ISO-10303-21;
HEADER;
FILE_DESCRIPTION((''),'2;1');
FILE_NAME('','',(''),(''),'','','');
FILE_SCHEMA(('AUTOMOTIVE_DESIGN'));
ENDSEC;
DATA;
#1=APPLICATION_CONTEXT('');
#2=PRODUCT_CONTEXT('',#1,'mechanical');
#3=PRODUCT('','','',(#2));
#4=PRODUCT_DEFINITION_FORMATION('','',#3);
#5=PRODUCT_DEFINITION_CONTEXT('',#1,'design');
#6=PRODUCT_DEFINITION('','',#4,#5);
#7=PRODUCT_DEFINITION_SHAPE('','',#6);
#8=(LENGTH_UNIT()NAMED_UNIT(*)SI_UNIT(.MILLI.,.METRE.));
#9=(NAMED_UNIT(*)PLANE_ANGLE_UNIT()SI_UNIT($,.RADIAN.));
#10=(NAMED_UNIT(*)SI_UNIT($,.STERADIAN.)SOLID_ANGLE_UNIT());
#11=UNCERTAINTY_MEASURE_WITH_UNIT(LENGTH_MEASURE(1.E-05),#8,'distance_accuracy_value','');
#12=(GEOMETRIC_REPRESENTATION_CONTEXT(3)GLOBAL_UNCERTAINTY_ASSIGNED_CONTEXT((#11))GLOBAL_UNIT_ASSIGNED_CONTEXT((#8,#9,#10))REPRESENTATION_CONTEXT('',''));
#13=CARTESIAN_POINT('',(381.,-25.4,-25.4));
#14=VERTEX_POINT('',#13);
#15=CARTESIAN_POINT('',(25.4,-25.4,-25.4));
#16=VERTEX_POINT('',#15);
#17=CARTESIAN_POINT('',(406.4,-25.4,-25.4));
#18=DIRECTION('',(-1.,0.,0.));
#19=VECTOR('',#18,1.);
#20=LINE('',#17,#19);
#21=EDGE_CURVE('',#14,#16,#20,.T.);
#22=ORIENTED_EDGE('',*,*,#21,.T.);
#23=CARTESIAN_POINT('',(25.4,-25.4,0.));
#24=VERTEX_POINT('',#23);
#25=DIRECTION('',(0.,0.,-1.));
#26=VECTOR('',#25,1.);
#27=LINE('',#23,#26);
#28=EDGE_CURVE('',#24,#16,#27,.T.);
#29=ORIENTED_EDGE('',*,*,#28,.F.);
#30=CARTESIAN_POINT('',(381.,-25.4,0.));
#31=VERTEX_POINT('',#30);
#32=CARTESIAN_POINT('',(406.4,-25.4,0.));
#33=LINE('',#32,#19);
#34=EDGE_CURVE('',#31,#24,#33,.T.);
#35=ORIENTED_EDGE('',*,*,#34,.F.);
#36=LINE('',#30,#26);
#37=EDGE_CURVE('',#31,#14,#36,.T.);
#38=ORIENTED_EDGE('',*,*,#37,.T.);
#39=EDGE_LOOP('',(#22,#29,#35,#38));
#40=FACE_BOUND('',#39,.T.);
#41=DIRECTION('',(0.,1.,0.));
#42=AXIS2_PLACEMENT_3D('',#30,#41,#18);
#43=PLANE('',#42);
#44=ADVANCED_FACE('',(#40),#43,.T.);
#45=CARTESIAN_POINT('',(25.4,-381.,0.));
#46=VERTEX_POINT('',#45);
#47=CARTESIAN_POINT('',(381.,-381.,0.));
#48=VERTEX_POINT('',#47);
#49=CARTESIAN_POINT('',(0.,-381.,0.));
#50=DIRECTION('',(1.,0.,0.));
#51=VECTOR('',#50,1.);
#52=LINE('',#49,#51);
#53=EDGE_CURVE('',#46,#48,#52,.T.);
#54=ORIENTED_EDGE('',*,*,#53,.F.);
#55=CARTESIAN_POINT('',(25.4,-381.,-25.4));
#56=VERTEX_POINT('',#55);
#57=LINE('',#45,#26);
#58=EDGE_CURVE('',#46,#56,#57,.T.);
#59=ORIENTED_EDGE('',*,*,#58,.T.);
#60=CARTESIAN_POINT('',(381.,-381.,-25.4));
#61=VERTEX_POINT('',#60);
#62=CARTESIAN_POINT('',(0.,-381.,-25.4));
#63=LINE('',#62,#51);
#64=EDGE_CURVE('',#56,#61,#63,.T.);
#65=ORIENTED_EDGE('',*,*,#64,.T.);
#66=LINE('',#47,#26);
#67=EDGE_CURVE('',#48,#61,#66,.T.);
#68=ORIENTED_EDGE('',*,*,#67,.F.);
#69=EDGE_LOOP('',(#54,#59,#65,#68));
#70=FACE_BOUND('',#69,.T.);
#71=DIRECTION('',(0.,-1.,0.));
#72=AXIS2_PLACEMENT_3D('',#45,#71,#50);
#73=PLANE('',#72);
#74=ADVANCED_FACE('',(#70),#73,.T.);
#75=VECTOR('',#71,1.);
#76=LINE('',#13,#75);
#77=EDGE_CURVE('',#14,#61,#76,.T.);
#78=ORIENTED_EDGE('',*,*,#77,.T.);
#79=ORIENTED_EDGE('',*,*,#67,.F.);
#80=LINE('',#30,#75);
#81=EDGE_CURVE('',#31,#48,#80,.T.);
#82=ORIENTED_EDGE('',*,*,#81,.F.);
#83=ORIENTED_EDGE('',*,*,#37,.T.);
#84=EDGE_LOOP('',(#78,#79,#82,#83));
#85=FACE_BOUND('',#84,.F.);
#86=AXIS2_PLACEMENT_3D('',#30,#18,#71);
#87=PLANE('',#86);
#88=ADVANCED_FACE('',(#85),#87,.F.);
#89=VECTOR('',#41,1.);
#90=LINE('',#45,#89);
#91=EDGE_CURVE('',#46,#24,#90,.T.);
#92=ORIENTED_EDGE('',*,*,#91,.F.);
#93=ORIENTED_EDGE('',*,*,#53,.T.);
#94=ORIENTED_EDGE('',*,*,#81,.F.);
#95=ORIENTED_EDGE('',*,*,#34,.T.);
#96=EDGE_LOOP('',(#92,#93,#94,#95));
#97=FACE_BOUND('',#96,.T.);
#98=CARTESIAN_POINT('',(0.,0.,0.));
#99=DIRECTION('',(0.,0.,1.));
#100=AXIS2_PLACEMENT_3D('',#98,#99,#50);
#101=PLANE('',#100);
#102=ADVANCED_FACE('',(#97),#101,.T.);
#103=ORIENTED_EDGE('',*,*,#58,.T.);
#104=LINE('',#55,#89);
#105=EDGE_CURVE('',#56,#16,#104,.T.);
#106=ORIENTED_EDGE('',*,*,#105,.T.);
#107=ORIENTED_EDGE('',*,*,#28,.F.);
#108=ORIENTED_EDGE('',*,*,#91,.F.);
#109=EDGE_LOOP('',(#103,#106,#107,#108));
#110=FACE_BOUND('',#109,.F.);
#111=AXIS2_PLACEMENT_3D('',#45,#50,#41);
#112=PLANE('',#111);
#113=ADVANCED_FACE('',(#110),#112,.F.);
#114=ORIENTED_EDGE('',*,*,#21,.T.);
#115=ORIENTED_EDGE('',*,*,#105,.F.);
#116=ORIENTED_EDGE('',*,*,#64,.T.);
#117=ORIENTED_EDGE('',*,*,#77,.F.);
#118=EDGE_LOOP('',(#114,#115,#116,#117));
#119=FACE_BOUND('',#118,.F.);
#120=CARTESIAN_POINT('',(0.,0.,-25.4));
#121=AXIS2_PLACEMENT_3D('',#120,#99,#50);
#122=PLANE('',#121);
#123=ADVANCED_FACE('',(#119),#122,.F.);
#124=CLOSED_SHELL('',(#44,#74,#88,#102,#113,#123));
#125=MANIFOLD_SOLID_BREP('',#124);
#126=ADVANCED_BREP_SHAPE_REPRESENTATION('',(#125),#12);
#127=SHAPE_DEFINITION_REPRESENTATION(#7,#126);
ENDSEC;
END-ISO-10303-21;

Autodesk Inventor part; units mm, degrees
ref_plane "YZ Plane" through (0, 0, 0) normal (1, 0, 0) x (0, 1, 0)
ref_plane "XZ Plane" through (0, 0, 0) normal (0, 1, 0) x (-1, 0, 0)
ref_plane "XY Plane" through (0, 0, 0) normal (0, 0, 1) x (1, 0, 0)
sketch "Sketch1" plane through (0, 0, 0) normal (0, 0, 1) x (1, 0, 0)
  line L0 (0, 0) -> (812.8, 0) construction
  line L1 (812.8, 0) -> (812.8, -406.4) construction
  line L2 (812.8, -406.4) -> (0, -406.4) construction
  line L3 (0, -406.4) -> (0, 0) construction
  line L4 (0, 0) -> (406.4, 0)
  line L5 (406.4, 0) -> (406.4, -25.4)
  line L6 (406.4, -25.4) -> (0, -25.4)
  line L7 (0, -25.4) -> (0, 0)
  line L8 (406.4, -25.4) -> (381, -25.4)
  line L9 (381, -25.4) -> (381, -406.4)
  line L10 (381, -406.4) -> (406.4, -406.4)
  line L11 (406.4, -406.4) -> (406.4, -25.4)
  line L12 (381, -406.4) -> (0, -406.4)
  line L13 (0, -406.4) -> (0, -381)
  line L14 (0, -381) -> (381, -381)
  line L15 (381, -381) -> (381, -406.4)
  line L16 (0, -381) -> (25.4, -381)
  line L17 (25.4, -381) -> (25.4, -25.4)
  line L18 (25.4, -25.4) -> (0, -25.4)
  line L19 (0, -25.4) -> (0, -381)
  dimension "d1" = 812.8
  dimension "d5" = 406.4
  dimension "d6" = 25.4
  dimension "d7" = 25.4
  dimension "d8" = 381
  dimension "d9" = 381
  dimension "d10" = 25.4
  dimension "d11" = 25.4
extrude "Extrusion1" add sketch "Sketch1" against normal blind 25.4 contours L6 L9 L14 L17
properties part number "JukeBox Bottem Panel"
